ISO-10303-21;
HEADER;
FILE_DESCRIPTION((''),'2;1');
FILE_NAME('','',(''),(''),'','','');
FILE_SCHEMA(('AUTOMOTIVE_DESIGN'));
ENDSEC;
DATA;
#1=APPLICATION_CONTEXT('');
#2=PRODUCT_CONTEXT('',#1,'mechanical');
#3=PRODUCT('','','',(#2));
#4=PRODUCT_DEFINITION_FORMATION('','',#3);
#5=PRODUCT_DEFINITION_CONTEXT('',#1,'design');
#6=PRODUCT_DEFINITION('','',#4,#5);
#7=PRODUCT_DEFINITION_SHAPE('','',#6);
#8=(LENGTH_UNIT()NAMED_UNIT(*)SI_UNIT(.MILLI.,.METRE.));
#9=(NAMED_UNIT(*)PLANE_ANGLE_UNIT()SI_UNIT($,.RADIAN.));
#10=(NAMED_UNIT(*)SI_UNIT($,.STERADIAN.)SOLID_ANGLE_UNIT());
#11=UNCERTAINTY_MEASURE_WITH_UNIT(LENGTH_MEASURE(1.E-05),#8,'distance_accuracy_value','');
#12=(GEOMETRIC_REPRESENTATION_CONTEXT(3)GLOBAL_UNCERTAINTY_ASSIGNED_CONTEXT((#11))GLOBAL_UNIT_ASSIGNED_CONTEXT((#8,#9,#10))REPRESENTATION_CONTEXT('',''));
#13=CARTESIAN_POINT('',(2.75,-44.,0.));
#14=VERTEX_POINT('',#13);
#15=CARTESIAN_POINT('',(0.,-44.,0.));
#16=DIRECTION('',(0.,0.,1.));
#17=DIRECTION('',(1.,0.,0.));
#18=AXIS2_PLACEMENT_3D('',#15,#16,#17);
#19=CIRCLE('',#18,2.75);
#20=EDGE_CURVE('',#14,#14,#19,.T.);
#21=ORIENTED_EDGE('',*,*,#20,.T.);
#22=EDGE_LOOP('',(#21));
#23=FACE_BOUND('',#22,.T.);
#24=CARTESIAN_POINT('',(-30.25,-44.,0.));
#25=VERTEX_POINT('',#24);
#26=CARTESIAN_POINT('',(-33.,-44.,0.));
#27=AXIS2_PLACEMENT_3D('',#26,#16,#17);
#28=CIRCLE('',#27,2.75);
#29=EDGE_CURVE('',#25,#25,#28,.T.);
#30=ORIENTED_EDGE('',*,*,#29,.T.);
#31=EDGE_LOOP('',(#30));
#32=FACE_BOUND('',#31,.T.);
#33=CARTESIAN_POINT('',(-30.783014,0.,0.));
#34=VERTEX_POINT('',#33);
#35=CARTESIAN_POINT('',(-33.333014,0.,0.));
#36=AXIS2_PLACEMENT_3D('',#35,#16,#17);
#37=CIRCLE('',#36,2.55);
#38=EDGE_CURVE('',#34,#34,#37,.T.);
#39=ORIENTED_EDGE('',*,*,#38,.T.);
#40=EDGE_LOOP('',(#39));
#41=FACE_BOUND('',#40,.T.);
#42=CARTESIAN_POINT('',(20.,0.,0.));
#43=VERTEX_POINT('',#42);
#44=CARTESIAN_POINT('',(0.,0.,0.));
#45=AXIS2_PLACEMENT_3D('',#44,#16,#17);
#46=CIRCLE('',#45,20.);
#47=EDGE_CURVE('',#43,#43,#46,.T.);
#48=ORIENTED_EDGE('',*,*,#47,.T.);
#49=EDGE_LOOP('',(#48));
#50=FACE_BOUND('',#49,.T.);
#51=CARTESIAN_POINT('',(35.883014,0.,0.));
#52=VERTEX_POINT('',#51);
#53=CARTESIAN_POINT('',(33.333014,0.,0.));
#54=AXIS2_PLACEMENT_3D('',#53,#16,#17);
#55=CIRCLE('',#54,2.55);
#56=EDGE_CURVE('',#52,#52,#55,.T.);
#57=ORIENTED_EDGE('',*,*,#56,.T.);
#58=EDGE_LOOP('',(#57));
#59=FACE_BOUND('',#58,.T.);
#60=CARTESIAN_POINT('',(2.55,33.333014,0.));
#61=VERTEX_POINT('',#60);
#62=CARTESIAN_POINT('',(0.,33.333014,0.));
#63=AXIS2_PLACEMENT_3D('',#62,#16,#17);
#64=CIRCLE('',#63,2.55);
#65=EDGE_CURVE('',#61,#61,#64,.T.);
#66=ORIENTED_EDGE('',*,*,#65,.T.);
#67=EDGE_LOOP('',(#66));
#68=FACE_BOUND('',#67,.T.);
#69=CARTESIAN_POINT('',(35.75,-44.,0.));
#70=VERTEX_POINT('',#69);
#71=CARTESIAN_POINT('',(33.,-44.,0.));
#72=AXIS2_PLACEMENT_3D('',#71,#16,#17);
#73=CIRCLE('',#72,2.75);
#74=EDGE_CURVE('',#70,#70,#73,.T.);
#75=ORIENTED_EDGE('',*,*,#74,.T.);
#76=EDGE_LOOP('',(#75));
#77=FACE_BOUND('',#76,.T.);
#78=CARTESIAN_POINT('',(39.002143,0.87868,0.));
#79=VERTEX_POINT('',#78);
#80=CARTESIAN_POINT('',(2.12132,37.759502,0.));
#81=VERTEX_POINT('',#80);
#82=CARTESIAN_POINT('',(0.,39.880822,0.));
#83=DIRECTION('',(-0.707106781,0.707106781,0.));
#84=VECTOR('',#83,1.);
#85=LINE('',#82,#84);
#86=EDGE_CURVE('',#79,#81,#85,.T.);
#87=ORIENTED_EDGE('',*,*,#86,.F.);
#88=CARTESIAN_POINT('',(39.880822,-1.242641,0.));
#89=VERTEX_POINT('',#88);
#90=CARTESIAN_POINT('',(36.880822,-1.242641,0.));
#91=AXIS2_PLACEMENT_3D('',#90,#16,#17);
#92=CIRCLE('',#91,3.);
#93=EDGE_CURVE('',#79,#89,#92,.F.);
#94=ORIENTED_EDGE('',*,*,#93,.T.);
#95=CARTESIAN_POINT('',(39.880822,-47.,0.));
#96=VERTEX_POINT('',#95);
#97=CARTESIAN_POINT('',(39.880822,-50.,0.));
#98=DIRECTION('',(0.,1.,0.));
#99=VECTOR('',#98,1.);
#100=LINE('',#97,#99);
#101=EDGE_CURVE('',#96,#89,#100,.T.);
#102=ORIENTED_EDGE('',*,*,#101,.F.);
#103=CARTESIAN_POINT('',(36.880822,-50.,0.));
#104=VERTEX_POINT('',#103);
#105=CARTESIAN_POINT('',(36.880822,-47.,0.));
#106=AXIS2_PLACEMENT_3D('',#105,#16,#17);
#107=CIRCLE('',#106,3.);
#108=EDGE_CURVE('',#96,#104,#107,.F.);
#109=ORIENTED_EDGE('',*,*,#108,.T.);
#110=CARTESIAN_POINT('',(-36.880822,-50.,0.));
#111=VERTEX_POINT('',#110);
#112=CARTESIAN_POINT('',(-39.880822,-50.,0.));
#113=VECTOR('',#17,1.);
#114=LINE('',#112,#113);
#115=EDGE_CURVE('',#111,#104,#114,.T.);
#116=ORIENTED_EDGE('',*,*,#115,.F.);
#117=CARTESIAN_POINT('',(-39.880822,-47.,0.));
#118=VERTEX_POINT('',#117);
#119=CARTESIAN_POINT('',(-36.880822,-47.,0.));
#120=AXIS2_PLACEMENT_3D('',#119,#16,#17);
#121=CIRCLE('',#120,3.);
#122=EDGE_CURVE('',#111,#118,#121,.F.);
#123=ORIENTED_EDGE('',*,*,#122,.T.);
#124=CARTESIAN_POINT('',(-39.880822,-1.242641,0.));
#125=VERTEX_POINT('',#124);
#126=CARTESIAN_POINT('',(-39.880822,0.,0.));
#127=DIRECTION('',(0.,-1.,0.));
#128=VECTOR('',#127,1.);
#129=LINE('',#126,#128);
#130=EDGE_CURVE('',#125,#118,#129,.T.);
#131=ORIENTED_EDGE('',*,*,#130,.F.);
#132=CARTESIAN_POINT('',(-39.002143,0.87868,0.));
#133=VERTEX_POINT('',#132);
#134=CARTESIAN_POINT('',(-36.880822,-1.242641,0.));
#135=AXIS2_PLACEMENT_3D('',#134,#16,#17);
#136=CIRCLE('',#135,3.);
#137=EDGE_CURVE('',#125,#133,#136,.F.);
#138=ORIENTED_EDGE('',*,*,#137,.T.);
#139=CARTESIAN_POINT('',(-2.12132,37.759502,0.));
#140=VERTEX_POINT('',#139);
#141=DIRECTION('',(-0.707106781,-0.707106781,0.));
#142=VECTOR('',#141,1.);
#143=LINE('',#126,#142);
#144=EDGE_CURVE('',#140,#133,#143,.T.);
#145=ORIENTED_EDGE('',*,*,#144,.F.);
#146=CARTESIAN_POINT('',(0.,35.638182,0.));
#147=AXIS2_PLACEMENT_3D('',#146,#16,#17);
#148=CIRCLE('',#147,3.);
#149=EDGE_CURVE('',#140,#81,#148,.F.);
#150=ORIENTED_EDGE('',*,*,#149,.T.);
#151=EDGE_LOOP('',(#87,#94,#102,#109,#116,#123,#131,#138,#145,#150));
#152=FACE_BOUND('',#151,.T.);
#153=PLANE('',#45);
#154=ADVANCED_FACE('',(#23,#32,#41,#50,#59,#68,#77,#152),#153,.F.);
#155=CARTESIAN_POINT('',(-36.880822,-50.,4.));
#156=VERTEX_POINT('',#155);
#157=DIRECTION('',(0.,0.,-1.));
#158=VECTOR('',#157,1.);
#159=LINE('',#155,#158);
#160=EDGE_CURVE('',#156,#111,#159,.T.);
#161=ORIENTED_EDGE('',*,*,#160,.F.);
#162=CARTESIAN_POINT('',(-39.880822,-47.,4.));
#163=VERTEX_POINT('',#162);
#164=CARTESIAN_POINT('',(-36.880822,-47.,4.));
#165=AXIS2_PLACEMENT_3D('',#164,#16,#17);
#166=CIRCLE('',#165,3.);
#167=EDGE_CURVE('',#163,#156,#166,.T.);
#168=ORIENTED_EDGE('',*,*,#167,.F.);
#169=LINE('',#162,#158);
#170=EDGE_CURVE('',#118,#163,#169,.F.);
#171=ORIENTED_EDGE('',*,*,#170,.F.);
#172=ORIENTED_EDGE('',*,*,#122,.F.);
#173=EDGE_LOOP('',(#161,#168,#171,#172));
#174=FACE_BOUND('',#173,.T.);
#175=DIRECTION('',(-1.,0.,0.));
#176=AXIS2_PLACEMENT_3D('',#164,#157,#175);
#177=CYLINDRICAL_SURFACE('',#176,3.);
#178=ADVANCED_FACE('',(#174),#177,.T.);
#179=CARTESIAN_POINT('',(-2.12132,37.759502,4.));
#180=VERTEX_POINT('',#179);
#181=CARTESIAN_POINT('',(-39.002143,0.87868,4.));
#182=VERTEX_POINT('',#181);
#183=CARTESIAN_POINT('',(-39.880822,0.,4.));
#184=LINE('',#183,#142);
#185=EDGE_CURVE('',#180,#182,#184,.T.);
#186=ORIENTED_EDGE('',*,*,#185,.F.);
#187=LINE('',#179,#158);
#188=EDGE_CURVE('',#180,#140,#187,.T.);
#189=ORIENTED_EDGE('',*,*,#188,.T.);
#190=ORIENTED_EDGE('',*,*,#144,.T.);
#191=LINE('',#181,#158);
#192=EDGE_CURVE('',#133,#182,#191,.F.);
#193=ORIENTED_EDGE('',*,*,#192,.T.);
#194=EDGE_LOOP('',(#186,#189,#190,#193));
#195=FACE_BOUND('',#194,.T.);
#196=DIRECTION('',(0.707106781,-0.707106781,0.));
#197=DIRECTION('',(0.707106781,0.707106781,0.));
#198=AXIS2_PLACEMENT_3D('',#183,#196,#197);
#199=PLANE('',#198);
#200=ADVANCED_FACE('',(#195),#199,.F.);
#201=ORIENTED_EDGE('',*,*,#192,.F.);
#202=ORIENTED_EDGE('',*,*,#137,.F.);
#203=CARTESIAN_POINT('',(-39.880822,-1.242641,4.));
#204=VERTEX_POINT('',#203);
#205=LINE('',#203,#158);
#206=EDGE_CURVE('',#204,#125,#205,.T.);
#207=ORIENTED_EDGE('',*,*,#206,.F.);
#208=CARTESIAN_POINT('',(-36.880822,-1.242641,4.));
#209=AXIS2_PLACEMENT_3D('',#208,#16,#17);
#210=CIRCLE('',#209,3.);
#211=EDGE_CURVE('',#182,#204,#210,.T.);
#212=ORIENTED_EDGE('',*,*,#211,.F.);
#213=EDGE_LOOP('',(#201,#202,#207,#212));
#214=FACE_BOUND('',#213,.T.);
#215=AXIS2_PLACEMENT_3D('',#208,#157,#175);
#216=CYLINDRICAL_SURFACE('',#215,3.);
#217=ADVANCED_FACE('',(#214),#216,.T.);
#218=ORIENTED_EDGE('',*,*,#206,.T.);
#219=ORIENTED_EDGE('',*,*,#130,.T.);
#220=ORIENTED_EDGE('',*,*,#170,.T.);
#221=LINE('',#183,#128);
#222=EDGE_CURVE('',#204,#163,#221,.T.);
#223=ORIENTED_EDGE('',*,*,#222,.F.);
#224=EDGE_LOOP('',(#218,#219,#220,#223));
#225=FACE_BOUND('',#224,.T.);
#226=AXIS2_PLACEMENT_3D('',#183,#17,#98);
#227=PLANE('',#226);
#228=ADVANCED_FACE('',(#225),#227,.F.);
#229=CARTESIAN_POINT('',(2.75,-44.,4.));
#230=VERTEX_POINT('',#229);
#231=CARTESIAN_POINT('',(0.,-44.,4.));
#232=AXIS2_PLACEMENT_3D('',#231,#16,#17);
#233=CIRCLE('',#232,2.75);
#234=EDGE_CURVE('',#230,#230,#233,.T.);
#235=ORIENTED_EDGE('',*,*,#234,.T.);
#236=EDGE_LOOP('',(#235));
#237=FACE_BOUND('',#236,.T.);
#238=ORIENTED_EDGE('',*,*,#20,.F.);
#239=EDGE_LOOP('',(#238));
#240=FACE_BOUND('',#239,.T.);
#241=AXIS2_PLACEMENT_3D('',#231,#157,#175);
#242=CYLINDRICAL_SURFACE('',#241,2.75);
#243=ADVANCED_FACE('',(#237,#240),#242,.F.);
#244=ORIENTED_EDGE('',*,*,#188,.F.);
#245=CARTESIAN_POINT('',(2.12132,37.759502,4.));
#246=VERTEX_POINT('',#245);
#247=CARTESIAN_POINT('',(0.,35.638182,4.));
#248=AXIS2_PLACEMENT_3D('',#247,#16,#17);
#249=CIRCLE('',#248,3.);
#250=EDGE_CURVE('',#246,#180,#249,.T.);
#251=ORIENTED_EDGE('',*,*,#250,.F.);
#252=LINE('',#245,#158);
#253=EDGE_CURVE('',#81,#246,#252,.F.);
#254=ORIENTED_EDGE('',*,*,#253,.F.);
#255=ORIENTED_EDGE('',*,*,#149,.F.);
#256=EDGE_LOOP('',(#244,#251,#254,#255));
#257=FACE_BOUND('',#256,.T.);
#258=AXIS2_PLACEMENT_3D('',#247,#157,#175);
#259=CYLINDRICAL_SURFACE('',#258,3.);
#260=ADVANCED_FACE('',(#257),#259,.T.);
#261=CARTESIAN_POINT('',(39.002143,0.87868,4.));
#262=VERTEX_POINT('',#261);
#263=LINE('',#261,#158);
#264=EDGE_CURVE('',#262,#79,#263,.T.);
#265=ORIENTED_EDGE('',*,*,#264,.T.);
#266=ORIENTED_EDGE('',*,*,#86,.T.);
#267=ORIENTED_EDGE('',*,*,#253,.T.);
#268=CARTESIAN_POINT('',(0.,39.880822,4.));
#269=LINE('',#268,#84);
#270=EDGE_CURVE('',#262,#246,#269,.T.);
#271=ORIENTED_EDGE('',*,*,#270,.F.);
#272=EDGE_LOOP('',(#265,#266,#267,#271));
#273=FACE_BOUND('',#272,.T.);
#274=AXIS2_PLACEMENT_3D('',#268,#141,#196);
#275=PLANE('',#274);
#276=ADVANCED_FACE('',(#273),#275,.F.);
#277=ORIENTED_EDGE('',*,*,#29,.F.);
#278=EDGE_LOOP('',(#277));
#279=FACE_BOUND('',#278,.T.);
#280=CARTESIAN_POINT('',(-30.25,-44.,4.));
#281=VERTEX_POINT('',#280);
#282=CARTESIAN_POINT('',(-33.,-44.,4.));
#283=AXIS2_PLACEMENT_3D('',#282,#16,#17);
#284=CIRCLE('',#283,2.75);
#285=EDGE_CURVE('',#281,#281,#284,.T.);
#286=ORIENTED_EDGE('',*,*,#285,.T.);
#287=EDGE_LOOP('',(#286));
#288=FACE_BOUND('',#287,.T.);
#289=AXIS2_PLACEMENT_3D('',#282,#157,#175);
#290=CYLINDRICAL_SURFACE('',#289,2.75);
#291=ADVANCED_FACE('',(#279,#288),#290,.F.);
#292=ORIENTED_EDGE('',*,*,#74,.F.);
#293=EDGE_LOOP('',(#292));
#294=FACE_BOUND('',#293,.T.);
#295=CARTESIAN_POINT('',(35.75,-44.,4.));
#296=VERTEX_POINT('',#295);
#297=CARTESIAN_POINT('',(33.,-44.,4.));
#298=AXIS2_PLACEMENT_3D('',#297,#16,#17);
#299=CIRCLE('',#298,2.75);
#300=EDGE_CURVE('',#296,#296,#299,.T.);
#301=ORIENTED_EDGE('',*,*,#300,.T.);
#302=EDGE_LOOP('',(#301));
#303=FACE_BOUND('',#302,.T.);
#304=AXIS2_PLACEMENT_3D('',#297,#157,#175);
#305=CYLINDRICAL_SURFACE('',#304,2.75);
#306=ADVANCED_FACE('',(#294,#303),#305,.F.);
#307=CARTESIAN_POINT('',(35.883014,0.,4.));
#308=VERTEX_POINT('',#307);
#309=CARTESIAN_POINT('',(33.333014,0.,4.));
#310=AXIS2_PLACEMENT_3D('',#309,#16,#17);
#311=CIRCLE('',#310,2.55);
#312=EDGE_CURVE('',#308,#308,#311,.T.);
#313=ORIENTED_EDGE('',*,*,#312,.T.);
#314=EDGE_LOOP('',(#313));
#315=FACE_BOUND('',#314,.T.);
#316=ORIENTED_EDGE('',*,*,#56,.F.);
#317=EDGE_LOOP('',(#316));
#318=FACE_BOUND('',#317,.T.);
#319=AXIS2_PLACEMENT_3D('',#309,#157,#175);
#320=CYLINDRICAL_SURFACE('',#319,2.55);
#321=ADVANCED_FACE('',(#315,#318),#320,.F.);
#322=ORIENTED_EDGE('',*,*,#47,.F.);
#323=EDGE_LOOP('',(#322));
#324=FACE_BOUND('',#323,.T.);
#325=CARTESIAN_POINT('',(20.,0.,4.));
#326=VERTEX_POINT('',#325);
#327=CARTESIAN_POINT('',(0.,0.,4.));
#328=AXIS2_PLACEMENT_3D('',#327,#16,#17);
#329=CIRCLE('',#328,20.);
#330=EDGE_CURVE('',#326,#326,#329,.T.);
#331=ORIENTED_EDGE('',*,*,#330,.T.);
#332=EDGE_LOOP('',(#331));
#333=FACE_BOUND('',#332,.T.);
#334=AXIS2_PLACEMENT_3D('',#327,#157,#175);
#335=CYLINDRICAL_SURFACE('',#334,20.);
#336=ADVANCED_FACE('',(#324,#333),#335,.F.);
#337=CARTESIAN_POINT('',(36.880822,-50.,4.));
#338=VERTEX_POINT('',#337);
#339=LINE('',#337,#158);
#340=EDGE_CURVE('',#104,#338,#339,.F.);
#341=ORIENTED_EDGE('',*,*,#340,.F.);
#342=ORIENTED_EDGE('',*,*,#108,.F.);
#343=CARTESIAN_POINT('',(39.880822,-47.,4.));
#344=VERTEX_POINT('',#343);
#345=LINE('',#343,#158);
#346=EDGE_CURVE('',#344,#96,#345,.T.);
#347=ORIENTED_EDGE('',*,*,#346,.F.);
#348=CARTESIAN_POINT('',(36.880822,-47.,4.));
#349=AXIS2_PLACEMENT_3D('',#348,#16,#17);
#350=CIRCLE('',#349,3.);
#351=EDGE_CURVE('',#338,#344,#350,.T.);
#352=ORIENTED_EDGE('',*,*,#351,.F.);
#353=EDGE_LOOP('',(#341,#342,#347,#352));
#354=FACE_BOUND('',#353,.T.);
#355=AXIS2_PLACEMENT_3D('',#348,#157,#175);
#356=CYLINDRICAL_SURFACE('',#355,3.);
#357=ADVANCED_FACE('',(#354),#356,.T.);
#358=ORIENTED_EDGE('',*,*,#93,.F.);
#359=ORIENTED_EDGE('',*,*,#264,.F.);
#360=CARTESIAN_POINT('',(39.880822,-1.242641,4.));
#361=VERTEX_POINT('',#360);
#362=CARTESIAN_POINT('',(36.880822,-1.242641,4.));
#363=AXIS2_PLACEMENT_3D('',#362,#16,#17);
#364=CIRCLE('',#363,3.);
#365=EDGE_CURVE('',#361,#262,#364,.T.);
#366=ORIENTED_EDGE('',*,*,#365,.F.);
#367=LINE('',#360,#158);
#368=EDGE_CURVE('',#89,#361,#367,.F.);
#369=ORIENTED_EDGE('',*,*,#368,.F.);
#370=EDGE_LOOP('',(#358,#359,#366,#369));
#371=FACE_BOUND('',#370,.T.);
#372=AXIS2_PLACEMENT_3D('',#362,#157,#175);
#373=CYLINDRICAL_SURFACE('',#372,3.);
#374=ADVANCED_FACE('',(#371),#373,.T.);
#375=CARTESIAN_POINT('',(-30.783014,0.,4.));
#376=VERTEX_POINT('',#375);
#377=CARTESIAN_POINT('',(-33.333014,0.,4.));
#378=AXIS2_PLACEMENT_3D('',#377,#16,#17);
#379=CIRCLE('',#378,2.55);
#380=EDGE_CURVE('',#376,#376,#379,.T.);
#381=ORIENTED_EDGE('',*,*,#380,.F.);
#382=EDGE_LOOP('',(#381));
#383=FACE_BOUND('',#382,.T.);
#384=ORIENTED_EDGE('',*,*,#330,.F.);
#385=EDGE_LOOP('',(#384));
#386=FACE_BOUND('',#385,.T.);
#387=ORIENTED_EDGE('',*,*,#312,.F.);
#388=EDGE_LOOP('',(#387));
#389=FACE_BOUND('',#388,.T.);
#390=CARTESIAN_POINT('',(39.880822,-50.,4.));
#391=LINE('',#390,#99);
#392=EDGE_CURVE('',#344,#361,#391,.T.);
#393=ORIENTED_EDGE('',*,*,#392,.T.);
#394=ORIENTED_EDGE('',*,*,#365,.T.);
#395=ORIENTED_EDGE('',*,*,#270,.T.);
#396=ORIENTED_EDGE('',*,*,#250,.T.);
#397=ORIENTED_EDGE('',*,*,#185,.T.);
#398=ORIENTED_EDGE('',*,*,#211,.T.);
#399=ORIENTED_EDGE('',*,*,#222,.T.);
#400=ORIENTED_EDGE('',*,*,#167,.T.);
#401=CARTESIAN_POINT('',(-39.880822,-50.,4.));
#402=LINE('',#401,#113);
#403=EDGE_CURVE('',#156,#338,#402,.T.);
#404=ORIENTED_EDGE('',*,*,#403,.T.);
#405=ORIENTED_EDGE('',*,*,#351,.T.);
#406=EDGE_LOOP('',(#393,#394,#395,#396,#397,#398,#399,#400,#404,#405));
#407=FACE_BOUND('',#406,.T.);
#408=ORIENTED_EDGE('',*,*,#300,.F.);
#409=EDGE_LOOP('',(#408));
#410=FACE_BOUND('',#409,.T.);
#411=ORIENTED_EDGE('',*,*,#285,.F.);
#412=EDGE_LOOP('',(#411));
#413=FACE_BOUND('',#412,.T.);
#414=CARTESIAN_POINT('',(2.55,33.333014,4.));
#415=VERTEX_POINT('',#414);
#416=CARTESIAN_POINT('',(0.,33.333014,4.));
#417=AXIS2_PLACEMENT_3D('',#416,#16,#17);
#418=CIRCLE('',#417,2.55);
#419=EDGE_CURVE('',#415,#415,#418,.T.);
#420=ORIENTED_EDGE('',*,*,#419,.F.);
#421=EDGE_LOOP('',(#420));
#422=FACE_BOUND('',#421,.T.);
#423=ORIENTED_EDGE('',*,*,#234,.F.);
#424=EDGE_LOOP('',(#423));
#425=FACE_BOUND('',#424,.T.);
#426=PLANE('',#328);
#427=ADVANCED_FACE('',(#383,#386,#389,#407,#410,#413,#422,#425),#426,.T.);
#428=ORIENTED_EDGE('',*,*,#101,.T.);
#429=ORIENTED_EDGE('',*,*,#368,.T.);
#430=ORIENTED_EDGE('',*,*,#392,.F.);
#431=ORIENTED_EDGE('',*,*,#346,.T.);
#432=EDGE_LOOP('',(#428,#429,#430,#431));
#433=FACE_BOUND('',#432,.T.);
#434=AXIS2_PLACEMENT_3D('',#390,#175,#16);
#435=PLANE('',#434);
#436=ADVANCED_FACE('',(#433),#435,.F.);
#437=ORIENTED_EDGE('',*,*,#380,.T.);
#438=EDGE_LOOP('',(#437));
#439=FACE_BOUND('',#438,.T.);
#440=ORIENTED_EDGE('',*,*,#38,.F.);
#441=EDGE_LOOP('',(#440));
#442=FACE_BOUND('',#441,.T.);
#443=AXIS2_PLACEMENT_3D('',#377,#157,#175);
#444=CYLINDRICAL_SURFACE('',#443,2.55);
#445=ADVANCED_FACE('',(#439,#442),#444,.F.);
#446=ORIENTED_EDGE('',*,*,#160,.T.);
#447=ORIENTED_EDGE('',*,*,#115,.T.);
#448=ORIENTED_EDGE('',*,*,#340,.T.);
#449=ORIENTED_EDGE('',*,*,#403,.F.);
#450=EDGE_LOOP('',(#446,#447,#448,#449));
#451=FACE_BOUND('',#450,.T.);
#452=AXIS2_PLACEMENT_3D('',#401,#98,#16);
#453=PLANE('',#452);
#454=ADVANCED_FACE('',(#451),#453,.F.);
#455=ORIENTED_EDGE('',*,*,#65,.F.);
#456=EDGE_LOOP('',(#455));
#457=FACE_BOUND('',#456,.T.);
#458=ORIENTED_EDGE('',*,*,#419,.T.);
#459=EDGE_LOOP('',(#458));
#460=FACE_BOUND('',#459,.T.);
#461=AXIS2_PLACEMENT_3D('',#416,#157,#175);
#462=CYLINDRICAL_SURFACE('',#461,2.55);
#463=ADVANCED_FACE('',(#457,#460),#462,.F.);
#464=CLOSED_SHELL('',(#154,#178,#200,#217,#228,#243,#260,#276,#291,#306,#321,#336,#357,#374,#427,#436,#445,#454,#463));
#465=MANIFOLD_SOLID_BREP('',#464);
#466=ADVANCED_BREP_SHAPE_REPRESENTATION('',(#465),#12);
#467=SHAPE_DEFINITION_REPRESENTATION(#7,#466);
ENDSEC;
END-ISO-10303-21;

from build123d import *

# Parameters (mm, degrees)
SKETCH_1_R      = 20
SKETCH_1_R_2    = 2.55
SKETCH_1_R_3    = 2.75
EXTRUDE_2_DEPTH = 4
FILLET_1_R      = 3


with BuildPart() as part:
    # Эскиз1 → Бобышка-Вытянуть2 (new body)
    with BuildSketch(Plane.XY):
        Polygon((-39.880822459, 0), (0, 39.880822459), (39.880822459, 0), (39.880822459, -50), (-39.880822459, -50), align=None)
        Circle(SKETCH_1_R, mode=Mode.SUBTRACT)
        with Locations((-33.333013665, 0)):
            Circle(SKETCH_1_R_2, mode=Mode.SUBTRACT)
        with Locations((0, 33.333013665)):
            Circle(SKETCH_1_R_2, mode=Mode.SUBTRACT)
        with Locations((33.333013665, 0)):
            Circle(SKETCH_1_R_2, mode=Mode.SUBTRACT)
        with Locations((-33, -44)):
            Circle(SKETCH_1_R_3, mode=Mode.SUBTRACT)
        with Locations((0, -44)):
            Circle(SKETCH_1_R_3, mode=Mode.SUBTRACT)
        with Locations((33, -44)):
            Circle(SKETCH_1_R_3, mode=Mode.SUBTRACT)
    extrude(amount=EXTRUDE_2_DEPTH)

    # Скругление1
    fillet_1_edges = [part.edges().sort_by_distance(p)[0] for p in [
        (-39.880822459, 0, 2),
        (0, 39.880822459, 2),
        (39.880822459, 0, 2),
        (39.880822459, -50, 2),
        (-39.880822459, -50, 2),
    ]]
    fillet(fillet_1_edges, radius=FILLET_1_R)


solid = part.part
